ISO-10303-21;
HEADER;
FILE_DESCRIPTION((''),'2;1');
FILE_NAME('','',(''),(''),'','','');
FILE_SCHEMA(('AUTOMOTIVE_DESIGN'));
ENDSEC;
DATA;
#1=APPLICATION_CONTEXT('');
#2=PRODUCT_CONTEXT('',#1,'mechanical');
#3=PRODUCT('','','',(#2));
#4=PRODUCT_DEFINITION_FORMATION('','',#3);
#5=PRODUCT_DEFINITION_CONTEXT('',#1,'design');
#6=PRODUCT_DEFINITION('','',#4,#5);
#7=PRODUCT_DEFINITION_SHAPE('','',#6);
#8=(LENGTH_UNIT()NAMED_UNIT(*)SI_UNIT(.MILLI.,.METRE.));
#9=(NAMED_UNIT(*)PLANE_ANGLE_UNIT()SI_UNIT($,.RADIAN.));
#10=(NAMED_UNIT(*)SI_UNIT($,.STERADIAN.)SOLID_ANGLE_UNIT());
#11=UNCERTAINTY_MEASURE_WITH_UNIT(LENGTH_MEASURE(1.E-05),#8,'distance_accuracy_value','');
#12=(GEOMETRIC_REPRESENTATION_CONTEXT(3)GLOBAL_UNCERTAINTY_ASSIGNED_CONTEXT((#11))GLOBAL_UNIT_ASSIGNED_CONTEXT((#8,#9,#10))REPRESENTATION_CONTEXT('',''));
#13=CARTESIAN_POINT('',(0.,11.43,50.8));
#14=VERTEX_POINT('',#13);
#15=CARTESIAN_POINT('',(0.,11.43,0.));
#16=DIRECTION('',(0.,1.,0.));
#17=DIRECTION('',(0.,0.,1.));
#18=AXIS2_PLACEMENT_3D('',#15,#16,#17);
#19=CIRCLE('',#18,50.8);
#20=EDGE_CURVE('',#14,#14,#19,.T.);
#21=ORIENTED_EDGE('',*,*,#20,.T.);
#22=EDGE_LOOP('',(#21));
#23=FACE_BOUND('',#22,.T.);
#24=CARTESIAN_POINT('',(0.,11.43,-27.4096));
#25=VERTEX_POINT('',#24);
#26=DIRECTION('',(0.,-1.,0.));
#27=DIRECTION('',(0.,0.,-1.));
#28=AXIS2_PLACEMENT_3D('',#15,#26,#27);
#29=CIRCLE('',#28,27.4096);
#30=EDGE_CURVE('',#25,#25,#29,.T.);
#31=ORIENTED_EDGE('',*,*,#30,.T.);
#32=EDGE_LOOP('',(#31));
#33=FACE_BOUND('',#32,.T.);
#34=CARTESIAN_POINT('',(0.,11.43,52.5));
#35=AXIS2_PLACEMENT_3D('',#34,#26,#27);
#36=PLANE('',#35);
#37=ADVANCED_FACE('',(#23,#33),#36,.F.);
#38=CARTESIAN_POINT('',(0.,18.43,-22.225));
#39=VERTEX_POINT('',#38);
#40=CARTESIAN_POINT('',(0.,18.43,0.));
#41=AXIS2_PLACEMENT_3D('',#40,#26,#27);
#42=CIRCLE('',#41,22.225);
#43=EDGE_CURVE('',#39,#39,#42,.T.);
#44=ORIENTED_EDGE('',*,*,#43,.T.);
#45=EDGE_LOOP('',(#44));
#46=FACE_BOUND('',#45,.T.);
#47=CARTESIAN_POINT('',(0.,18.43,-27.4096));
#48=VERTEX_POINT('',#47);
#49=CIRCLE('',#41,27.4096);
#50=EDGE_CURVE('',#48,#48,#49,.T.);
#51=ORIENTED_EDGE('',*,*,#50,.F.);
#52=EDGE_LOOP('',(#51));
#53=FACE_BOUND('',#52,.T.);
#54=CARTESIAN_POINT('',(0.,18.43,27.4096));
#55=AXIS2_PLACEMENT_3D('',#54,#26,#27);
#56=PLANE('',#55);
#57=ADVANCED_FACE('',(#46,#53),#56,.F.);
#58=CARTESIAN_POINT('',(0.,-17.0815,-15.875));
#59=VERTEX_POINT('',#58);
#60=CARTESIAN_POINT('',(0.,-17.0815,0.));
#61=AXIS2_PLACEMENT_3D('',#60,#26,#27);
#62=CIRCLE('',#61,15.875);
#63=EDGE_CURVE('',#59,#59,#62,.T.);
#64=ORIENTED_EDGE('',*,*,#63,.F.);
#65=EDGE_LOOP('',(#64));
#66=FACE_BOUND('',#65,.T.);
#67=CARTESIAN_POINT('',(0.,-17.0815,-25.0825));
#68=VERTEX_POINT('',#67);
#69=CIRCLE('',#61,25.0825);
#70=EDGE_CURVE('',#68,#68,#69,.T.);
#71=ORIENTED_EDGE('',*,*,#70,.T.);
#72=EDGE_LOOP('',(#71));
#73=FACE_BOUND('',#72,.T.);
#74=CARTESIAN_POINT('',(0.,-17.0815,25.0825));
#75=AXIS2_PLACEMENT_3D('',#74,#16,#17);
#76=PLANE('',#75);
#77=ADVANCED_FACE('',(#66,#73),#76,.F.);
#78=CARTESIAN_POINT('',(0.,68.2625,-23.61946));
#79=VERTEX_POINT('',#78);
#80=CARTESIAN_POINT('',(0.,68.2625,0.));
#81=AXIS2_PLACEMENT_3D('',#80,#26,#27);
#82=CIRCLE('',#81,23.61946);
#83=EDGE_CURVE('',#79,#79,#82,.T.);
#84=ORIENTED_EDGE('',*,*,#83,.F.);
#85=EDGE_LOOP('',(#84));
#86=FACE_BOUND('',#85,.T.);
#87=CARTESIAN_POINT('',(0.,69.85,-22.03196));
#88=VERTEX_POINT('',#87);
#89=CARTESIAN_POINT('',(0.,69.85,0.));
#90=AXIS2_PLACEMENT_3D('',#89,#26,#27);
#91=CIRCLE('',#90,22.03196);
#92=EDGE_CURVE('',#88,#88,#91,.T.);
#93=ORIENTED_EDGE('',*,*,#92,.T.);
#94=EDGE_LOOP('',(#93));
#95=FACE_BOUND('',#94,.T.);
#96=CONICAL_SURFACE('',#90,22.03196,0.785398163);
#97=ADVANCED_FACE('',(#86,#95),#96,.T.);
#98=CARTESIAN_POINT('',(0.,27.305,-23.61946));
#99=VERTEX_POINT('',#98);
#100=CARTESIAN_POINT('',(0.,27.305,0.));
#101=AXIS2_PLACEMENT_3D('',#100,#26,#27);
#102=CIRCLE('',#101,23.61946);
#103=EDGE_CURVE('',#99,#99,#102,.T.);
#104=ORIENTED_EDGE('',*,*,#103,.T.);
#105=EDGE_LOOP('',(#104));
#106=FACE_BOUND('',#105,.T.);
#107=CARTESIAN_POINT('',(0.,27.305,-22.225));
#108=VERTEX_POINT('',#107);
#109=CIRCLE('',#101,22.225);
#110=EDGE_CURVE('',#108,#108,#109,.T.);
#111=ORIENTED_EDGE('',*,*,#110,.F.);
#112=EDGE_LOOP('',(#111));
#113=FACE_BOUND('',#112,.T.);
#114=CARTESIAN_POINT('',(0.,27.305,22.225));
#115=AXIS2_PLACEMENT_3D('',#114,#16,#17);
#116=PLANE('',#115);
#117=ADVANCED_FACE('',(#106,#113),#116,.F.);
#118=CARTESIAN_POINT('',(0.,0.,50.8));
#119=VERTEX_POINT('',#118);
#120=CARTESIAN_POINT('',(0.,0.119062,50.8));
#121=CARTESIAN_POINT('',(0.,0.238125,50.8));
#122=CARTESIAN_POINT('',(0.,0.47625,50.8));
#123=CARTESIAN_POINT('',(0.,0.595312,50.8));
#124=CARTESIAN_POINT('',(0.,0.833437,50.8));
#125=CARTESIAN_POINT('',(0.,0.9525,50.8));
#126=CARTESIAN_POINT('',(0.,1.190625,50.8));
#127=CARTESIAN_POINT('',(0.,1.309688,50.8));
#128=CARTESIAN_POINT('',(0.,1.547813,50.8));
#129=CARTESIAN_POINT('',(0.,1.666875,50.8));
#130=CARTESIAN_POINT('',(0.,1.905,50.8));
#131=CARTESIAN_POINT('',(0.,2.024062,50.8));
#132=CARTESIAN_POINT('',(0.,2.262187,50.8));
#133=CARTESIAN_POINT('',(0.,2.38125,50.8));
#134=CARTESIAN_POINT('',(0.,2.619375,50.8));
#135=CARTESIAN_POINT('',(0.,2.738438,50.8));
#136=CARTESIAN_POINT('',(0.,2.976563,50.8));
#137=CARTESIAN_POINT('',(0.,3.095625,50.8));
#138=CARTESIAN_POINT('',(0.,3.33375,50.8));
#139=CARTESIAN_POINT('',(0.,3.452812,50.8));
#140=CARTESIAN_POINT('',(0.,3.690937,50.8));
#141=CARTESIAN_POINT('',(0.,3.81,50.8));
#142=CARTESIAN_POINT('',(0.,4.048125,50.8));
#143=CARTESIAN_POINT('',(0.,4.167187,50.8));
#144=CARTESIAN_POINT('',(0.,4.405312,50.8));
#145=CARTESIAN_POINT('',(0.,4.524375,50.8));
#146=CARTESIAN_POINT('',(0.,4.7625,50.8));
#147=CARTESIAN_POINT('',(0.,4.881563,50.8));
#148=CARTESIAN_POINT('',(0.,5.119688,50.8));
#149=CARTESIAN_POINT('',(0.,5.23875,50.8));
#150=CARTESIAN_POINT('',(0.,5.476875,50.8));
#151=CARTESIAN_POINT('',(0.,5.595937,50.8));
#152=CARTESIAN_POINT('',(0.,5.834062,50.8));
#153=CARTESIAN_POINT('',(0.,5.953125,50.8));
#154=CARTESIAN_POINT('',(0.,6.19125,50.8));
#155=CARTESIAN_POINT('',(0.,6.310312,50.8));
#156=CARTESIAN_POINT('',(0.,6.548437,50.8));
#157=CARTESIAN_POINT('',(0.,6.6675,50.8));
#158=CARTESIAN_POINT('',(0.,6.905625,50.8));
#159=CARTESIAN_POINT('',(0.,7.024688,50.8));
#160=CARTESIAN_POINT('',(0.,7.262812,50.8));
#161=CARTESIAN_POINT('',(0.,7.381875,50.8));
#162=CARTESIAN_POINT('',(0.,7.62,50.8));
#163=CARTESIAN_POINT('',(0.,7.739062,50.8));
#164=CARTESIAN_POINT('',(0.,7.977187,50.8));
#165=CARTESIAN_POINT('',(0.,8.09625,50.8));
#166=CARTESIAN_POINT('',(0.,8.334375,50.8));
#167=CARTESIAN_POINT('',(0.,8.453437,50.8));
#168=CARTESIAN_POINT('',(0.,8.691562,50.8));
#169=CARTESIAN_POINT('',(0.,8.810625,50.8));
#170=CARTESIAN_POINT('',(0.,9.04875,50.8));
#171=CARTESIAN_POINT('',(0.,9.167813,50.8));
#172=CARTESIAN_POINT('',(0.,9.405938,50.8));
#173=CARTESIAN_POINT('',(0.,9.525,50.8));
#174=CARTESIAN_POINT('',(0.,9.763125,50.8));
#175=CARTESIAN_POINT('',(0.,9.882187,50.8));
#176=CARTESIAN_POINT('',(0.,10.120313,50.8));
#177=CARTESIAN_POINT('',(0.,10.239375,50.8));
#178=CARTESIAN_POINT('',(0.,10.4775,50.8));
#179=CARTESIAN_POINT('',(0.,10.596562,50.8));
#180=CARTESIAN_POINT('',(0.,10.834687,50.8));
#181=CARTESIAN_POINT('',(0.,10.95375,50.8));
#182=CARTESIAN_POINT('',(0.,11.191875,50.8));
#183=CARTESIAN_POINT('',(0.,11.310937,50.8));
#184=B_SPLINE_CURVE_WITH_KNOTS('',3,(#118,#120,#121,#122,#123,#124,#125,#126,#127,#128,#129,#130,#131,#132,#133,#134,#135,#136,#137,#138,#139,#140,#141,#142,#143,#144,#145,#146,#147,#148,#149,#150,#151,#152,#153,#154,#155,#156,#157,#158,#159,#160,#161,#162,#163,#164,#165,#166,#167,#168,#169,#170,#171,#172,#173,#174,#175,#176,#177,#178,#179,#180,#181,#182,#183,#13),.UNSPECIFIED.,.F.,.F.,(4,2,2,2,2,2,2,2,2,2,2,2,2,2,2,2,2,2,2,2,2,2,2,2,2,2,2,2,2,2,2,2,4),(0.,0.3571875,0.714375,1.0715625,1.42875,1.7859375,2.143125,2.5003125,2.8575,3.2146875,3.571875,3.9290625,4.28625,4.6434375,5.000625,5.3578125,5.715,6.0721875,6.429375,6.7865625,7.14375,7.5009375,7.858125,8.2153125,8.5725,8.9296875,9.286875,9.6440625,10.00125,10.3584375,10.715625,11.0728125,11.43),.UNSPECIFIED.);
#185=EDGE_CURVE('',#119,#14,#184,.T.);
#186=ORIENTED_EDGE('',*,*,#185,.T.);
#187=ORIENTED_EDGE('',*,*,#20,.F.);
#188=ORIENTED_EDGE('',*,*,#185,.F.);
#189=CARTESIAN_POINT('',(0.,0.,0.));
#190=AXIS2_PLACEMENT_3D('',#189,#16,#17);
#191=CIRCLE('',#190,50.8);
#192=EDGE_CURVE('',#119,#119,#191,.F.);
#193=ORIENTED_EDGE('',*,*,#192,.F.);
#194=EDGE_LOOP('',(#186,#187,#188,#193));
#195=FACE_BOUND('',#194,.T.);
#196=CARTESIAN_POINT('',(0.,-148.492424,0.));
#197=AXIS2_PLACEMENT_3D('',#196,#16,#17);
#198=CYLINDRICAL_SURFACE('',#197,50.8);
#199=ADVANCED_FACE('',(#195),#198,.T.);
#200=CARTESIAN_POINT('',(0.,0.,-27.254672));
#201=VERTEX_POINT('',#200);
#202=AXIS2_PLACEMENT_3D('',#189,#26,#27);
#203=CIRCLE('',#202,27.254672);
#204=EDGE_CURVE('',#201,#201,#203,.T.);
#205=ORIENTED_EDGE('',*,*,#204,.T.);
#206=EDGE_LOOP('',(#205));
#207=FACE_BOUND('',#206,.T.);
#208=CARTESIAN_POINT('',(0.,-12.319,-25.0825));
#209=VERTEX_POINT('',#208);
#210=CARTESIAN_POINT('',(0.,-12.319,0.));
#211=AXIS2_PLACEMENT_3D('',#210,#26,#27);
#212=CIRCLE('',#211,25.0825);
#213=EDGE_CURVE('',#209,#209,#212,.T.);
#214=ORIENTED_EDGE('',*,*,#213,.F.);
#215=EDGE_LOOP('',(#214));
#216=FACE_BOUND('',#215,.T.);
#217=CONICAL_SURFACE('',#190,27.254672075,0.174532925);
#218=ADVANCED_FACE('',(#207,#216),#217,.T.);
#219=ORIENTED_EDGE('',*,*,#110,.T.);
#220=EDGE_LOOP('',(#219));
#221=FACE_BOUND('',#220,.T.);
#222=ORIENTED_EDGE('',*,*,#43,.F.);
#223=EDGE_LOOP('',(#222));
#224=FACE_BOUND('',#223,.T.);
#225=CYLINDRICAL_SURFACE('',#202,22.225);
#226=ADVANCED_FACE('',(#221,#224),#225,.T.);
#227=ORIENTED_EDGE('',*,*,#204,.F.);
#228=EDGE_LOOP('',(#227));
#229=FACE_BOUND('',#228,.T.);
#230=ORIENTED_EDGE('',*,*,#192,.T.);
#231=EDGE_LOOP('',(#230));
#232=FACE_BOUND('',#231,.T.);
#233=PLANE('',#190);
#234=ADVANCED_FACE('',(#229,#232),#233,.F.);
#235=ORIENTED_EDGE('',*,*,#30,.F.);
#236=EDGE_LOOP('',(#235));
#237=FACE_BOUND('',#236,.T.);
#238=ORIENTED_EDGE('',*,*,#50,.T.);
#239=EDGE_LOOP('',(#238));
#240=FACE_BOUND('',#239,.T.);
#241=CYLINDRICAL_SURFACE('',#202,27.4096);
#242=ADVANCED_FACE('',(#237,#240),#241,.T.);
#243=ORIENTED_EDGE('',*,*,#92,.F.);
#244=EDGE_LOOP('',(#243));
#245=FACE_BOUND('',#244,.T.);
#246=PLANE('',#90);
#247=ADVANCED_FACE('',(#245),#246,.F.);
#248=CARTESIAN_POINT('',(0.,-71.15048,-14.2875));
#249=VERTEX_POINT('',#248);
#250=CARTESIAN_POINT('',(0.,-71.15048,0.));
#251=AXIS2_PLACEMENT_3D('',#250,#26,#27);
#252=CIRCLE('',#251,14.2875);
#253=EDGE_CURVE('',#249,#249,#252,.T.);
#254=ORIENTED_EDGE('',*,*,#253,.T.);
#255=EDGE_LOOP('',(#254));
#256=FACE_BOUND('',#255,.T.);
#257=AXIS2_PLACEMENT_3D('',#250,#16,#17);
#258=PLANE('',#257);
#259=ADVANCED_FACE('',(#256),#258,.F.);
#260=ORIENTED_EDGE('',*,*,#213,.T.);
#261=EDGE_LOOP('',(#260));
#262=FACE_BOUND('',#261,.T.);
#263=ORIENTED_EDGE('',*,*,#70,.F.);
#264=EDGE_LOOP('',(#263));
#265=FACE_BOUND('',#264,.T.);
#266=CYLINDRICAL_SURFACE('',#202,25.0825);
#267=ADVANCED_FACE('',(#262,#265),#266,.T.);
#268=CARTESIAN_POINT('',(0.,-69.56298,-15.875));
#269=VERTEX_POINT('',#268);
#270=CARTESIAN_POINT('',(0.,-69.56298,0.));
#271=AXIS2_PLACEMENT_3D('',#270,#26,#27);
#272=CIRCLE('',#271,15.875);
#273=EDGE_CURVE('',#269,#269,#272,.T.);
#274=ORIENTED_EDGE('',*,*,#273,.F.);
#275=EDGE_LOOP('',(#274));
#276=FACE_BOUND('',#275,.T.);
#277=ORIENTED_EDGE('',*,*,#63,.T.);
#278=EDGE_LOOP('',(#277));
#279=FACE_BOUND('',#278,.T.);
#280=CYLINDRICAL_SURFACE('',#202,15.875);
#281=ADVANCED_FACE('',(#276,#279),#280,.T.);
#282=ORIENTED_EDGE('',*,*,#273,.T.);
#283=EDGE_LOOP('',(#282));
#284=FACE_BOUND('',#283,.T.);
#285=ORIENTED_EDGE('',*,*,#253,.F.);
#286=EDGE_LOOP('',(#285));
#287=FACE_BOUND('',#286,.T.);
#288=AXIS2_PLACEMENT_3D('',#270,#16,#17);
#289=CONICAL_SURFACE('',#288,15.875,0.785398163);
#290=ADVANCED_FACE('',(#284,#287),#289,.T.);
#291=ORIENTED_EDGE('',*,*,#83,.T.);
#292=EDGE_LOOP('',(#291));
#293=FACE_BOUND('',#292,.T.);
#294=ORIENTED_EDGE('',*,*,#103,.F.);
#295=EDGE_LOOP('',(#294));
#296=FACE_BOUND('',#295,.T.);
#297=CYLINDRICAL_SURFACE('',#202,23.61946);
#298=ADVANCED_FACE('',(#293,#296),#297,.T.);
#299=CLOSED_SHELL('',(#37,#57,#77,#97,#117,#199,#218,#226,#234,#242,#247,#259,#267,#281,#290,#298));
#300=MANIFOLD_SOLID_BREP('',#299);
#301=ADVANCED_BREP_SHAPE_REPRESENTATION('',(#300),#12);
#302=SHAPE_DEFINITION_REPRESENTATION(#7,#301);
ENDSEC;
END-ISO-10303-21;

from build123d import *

# Parameters (mm, degrees)
SKETCH16_R         = 52.5
SKETCH16_R_2       = 50.8
CUT_EXTRUDE1_DEPTH = 11.43


with BuildPart() as part:
    # Sketch1 → Bearing Shaft/Flange Support (revolve)
    with BuildSketch(Plane(origin=(0, 0, 0), x_dir=(0, 0, -1), z_dir=(1, 0, 0)), mode=Mode.PRIVATE) as bearing_shaft_flange_support_sk:
        Polygon((0, 0), (-27.254672075, 0), (-25.0825, -12.319), (-25.0825, -17.0815), (-15.875, -17.0815), (-15.875, -69.56298), (-14.2875, -71.15048), (0, -71.15048), align=None)
    revolve(bearing_shaft_flange_support_sk.sketch.rotate(Axis((0, 0, 0), (0, 1, 0)), 180), axis=Axis((0, 0, 0), (0, 1, 0)))

    # Sketch2 → Drive Pin Support (revolve)
    with BuildSketch(Plane(origin=(0, 0, 0), x_dir=(0, 0, -1), z_dir=(1, 0, 0)), mode=Mode.PRIVATE) as drive_pin_support_sk:
        Polygon((0, 0), (-52.5, 0), (-52.5, 11.43), (-27.4096, 11.43), (-27.4096, 18.43), (-22.225, 18.43), (-22.225, 27.305), (-23.61946, 27.305), (-23.61946, 68.2625), (-22.03196, 69.85), (0, 69.85), align=None)
    revolve(drive_pin_support_sk.sketch.rotate(Axis((0, 0, 0), (0, 1, 0)), 180), axis=Axis((0, 0, 0), (0, 1, 0)))

    # Sketch16 → Cut-Extrude1 (cut)
    with BuildSketch(Plane(origin=(0, 11.43, 0), x_dir=(1, 0, 0), z_dir=(0, 1, 0))):
        Circle(SKETCH16_R)
        with Locations(Location((0, 0, 0), (0, 0, 270))):
            Circle(SKETCH16_R_2, mode=Mode.SUBTRACT)
    extrude(amount=-CUT_EXTRUDE1_DEPTH, mode=Mode.SUBTRACT)


solid = part.part
